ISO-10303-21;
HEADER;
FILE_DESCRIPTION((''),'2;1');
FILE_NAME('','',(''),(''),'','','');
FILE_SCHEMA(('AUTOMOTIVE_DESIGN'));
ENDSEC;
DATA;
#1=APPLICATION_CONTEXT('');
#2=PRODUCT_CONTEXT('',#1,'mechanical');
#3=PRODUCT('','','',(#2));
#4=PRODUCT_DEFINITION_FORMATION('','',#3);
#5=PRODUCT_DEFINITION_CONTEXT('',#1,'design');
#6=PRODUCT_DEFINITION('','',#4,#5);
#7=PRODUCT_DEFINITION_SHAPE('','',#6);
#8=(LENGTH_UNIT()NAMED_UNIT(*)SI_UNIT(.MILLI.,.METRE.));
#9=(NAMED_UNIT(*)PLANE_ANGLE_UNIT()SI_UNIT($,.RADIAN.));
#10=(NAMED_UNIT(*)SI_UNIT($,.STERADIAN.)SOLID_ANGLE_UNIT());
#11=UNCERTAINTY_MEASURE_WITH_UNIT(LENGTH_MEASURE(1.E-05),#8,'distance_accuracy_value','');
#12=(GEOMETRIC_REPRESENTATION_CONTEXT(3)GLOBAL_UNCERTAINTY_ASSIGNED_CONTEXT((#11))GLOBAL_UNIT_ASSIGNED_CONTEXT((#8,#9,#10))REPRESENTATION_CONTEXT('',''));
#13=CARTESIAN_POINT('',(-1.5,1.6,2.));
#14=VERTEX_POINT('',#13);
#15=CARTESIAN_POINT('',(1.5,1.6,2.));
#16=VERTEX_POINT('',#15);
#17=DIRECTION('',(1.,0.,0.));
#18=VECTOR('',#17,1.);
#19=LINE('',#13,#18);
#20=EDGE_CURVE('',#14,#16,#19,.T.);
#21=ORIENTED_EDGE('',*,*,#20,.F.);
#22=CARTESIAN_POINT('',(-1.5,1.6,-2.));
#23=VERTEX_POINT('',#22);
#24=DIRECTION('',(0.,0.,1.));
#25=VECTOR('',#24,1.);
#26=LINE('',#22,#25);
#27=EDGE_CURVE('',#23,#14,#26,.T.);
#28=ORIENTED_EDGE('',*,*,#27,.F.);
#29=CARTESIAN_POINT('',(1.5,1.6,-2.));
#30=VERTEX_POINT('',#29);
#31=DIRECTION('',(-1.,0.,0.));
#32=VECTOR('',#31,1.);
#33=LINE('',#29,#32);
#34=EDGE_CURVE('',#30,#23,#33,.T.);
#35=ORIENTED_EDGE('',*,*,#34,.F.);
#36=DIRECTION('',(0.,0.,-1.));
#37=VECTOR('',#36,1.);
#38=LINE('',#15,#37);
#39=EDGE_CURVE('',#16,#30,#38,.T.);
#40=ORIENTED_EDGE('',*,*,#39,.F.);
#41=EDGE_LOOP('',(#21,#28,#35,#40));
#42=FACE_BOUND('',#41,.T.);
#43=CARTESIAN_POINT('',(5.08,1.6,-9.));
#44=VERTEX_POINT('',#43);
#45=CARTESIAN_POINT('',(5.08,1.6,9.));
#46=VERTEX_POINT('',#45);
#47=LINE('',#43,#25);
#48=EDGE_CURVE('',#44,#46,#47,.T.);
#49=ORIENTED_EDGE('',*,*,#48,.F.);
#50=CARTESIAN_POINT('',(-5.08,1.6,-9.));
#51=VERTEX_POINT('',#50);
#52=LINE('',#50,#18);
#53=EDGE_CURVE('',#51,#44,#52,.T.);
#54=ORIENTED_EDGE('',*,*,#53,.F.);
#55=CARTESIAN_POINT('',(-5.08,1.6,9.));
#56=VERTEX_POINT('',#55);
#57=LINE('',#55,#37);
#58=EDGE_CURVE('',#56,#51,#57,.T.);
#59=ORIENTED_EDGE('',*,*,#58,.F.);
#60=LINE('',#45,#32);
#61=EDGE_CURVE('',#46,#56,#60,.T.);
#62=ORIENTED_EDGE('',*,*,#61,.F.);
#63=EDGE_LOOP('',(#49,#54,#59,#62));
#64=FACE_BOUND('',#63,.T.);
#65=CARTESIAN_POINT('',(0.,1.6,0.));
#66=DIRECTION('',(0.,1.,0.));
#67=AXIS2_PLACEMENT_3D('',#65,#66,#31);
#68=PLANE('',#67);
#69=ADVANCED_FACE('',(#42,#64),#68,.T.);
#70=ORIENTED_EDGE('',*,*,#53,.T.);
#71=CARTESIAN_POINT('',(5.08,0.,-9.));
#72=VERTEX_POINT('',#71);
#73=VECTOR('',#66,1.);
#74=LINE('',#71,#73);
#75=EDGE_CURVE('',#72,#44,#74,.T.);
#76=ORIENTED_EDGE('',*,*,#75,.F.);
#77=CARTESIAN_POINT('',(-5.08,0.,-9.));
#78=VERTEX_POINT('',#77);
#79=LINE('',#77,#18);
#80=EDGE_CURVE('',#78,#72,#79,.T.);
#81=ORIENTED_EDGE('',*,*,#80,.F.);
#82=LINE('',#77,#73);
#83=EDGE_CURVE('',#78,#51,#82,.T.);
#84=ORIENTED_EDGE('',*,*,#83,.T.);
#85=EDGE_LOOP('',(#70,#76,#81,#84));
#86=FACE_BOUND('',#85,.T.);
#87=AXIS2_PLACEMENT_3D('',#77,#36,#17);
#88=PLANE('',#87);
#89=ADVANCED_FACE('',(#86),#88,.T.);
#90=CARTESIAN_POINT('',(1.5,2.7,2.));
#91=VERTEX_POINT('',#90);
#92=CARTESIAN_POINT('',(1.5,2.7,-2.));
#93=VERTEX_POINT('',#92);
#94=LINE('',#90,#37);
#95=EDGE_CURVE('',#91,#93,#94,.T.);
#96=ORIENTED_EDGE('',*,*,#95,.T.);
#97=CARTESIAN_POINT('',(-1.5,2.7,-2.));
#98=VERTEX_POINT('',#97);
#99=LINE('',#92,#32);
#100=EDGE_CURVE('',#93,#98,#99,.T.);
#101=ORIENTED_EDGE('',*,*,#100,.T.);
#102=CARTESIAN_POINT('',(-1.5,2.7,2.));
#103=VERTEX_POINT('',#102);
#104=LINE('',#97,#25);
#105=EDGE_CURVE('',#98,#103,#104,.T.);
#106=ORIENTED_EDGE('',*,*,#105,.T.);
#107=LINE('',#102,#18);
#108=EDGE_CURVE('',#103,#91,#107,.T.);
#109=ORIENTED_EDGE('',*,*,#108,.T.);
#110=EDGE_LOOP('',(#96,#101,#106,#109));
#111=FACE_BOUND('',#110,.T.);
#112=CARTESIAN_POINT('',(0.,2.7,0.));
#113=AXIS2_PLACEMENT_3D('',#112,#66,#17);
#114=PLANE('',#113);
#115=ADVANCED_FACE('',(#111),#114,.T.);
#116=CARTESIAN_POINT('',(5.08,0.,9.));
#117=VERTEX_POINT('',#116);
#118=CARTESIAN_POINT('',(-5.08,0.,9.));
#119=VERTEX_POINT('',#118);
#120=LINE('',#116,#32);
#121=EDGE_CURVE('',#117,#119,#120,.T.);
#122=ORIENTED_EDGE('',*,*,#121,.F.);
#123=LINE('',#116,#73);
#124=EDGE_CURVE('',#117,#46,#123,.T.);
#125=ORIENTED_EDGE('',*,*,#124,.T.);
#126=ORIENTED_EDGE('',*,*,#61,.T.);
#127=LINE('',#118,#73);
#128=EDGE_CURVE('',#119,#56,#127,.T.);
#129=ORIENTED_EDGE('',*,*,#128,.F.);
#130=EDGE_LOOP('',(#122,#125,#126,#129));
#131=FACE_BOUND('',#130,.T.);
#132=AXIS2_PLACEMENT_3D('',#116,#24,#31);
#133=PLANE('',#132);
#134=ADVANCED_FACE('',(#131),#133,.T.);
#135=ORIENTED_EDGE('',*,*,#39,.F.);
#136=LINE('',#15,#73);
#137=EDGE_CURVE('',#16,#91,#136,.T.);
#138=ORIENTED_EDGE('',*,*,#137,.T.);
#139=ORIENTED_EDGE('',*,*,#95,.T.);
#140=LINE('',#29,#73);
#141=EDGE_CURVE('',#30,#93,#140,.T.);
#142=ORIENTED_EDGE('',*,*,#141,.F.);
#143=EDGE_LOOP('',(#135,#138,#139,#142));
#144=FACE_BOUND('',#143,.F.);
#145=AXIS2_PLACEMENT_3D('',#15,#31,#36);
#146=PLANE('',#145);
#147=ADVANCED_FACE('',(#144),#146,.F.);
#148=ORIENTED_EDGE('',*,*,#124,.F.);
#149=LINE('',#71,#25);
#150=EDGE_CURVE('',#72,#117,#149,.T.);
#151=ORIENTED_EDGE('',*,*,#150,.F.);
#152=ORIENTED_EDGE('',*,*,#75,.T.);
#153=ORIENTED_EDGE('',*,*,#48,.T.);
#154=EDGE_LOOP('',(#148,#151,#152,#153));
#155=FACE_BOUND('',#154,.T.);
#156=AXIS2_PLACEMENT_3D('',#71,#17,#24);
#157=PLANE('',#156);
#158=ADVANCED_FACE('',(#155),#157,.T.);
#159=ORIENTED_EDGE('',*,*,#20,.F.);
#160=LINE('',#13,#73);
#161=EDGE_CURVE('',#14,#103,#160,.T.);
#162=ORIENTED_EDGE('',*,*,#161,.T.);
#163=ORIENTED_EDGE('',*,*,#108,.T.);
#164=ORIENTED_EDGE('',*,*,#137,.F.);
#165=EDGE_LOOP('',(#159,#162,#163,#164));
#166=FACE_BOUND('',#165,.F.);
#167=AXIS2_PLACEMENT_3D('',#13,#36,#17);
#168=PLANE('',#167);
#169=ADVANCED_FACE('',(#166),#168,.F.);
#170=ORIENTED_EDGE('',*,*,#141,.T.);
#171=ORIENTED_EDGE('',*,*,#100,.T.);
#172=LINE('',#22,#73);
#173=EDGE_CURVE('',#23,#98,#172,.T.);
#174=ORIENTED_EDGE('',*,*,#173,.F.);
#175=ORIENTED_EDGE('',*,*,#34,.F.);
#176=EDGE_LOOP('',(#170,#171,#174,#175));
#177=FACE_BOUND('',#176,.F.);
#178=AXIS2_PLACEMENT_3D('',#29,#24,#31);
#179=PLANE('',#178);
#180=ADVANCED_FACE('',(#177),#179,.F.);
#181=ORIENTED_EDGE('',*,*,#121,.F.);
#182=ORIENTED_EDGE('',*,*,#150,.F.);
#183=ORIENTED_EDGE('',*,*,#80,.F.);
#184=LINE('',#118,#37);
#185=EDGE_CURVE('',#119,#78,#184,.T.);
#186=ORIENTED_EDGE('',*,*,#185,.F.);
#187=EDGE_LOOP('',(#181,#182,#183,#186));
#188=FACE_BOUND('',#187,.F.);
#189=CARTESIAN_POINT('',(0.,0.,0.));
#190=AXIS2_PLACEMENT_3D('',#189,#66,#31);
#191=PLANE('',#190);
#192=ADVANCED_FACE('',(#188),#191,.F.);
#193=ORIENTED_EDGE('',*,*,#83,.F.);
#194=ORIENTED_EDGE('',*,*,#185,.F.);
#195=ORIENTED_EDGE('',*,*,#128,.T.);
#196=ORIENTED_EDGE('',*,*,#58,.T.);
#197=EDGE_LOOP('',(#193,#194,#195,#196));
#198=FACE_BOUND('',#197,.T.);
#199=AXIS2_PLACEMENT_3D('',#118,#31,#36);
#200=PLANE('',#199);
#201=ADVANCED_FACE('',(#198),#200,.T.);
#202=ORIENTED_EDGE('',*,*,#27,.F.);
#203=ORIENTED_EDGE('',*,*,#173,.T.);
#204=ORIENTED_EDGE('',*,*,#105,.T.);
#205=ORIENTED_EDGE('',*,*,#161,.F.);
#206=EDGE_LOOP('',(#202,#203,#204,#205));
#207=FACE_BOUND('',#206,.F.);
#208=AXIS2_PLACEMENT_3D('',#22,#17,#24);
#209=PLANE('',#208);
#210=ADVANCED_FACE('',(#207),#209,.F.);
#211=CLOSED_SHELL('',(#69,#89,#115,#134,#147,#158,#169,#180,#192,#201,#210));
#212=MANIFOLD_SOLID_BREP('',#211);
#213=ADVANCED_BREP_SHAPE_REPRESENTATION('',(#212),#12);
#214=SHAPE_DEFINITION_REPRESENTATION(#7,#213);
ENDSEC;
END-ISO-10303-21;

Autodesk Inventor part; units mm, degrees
ref_plane "YZ Plane" through (0, 0, 0) normal (1, 0, 0) x (0, 1, 0)
ref_plane "XZ Plane" through (0, 0, 0) normal (0, 1, 0) x (-1, 0, 0)
ref_plane "XY Plane" through (0, 0, 0) normal (0, 0, 1) x (1, 0, 0)
sketch "Sketch1" plane through (0, 0, 0) normal (0, 1, 0) x (-1, 0, 0)
  line L0 (5.08, -9) -> (-5.08, -9)
  line L1 (-5.08, -9) -> (-5.08, 9)
  line L2 (-5.08, 9) -> (5.08, 9)
  line L3 (5.08, 9) -> (5.08, -9)
  line L4 (5.08, -9) -> (-5.08, 9) construction
  line L5 (-5.08, -9) -> (5.08, 9) construction
  point P0 (0, 0)
  dimension "d0" = 10.16
  dimension "d1" = 18
extrude "Extrusion1" add sketch "Sketch1" along normal blind 1.6
sketch "Sketch2" plane through (0, 1.6, 0) normal (0, 1, 0) x (1, 0, 0)
  line L0 (1.5, 2) -> (-1.5, 2)
  line L1 (-1.5, 2) -> (-1.5, -2)
  line L2 (-1.5, -2) -> (1.5, -2)
  line L3 (1.5, -2) -> (1.5, 2)
  line L4 (1.5, 2) -> (-1.5, -2) construction
  line L5 (-1.5, 2) -> (1.5, -2) construction
  point P0 (0, 0)
  dimension "d4" = 3
  dimension "d5" = 4
extrude "Extrusion2" add sketch "Sketch2" along normal blind 1.1
properties part number "charge-controller" material "PC/ABS Plastic"
